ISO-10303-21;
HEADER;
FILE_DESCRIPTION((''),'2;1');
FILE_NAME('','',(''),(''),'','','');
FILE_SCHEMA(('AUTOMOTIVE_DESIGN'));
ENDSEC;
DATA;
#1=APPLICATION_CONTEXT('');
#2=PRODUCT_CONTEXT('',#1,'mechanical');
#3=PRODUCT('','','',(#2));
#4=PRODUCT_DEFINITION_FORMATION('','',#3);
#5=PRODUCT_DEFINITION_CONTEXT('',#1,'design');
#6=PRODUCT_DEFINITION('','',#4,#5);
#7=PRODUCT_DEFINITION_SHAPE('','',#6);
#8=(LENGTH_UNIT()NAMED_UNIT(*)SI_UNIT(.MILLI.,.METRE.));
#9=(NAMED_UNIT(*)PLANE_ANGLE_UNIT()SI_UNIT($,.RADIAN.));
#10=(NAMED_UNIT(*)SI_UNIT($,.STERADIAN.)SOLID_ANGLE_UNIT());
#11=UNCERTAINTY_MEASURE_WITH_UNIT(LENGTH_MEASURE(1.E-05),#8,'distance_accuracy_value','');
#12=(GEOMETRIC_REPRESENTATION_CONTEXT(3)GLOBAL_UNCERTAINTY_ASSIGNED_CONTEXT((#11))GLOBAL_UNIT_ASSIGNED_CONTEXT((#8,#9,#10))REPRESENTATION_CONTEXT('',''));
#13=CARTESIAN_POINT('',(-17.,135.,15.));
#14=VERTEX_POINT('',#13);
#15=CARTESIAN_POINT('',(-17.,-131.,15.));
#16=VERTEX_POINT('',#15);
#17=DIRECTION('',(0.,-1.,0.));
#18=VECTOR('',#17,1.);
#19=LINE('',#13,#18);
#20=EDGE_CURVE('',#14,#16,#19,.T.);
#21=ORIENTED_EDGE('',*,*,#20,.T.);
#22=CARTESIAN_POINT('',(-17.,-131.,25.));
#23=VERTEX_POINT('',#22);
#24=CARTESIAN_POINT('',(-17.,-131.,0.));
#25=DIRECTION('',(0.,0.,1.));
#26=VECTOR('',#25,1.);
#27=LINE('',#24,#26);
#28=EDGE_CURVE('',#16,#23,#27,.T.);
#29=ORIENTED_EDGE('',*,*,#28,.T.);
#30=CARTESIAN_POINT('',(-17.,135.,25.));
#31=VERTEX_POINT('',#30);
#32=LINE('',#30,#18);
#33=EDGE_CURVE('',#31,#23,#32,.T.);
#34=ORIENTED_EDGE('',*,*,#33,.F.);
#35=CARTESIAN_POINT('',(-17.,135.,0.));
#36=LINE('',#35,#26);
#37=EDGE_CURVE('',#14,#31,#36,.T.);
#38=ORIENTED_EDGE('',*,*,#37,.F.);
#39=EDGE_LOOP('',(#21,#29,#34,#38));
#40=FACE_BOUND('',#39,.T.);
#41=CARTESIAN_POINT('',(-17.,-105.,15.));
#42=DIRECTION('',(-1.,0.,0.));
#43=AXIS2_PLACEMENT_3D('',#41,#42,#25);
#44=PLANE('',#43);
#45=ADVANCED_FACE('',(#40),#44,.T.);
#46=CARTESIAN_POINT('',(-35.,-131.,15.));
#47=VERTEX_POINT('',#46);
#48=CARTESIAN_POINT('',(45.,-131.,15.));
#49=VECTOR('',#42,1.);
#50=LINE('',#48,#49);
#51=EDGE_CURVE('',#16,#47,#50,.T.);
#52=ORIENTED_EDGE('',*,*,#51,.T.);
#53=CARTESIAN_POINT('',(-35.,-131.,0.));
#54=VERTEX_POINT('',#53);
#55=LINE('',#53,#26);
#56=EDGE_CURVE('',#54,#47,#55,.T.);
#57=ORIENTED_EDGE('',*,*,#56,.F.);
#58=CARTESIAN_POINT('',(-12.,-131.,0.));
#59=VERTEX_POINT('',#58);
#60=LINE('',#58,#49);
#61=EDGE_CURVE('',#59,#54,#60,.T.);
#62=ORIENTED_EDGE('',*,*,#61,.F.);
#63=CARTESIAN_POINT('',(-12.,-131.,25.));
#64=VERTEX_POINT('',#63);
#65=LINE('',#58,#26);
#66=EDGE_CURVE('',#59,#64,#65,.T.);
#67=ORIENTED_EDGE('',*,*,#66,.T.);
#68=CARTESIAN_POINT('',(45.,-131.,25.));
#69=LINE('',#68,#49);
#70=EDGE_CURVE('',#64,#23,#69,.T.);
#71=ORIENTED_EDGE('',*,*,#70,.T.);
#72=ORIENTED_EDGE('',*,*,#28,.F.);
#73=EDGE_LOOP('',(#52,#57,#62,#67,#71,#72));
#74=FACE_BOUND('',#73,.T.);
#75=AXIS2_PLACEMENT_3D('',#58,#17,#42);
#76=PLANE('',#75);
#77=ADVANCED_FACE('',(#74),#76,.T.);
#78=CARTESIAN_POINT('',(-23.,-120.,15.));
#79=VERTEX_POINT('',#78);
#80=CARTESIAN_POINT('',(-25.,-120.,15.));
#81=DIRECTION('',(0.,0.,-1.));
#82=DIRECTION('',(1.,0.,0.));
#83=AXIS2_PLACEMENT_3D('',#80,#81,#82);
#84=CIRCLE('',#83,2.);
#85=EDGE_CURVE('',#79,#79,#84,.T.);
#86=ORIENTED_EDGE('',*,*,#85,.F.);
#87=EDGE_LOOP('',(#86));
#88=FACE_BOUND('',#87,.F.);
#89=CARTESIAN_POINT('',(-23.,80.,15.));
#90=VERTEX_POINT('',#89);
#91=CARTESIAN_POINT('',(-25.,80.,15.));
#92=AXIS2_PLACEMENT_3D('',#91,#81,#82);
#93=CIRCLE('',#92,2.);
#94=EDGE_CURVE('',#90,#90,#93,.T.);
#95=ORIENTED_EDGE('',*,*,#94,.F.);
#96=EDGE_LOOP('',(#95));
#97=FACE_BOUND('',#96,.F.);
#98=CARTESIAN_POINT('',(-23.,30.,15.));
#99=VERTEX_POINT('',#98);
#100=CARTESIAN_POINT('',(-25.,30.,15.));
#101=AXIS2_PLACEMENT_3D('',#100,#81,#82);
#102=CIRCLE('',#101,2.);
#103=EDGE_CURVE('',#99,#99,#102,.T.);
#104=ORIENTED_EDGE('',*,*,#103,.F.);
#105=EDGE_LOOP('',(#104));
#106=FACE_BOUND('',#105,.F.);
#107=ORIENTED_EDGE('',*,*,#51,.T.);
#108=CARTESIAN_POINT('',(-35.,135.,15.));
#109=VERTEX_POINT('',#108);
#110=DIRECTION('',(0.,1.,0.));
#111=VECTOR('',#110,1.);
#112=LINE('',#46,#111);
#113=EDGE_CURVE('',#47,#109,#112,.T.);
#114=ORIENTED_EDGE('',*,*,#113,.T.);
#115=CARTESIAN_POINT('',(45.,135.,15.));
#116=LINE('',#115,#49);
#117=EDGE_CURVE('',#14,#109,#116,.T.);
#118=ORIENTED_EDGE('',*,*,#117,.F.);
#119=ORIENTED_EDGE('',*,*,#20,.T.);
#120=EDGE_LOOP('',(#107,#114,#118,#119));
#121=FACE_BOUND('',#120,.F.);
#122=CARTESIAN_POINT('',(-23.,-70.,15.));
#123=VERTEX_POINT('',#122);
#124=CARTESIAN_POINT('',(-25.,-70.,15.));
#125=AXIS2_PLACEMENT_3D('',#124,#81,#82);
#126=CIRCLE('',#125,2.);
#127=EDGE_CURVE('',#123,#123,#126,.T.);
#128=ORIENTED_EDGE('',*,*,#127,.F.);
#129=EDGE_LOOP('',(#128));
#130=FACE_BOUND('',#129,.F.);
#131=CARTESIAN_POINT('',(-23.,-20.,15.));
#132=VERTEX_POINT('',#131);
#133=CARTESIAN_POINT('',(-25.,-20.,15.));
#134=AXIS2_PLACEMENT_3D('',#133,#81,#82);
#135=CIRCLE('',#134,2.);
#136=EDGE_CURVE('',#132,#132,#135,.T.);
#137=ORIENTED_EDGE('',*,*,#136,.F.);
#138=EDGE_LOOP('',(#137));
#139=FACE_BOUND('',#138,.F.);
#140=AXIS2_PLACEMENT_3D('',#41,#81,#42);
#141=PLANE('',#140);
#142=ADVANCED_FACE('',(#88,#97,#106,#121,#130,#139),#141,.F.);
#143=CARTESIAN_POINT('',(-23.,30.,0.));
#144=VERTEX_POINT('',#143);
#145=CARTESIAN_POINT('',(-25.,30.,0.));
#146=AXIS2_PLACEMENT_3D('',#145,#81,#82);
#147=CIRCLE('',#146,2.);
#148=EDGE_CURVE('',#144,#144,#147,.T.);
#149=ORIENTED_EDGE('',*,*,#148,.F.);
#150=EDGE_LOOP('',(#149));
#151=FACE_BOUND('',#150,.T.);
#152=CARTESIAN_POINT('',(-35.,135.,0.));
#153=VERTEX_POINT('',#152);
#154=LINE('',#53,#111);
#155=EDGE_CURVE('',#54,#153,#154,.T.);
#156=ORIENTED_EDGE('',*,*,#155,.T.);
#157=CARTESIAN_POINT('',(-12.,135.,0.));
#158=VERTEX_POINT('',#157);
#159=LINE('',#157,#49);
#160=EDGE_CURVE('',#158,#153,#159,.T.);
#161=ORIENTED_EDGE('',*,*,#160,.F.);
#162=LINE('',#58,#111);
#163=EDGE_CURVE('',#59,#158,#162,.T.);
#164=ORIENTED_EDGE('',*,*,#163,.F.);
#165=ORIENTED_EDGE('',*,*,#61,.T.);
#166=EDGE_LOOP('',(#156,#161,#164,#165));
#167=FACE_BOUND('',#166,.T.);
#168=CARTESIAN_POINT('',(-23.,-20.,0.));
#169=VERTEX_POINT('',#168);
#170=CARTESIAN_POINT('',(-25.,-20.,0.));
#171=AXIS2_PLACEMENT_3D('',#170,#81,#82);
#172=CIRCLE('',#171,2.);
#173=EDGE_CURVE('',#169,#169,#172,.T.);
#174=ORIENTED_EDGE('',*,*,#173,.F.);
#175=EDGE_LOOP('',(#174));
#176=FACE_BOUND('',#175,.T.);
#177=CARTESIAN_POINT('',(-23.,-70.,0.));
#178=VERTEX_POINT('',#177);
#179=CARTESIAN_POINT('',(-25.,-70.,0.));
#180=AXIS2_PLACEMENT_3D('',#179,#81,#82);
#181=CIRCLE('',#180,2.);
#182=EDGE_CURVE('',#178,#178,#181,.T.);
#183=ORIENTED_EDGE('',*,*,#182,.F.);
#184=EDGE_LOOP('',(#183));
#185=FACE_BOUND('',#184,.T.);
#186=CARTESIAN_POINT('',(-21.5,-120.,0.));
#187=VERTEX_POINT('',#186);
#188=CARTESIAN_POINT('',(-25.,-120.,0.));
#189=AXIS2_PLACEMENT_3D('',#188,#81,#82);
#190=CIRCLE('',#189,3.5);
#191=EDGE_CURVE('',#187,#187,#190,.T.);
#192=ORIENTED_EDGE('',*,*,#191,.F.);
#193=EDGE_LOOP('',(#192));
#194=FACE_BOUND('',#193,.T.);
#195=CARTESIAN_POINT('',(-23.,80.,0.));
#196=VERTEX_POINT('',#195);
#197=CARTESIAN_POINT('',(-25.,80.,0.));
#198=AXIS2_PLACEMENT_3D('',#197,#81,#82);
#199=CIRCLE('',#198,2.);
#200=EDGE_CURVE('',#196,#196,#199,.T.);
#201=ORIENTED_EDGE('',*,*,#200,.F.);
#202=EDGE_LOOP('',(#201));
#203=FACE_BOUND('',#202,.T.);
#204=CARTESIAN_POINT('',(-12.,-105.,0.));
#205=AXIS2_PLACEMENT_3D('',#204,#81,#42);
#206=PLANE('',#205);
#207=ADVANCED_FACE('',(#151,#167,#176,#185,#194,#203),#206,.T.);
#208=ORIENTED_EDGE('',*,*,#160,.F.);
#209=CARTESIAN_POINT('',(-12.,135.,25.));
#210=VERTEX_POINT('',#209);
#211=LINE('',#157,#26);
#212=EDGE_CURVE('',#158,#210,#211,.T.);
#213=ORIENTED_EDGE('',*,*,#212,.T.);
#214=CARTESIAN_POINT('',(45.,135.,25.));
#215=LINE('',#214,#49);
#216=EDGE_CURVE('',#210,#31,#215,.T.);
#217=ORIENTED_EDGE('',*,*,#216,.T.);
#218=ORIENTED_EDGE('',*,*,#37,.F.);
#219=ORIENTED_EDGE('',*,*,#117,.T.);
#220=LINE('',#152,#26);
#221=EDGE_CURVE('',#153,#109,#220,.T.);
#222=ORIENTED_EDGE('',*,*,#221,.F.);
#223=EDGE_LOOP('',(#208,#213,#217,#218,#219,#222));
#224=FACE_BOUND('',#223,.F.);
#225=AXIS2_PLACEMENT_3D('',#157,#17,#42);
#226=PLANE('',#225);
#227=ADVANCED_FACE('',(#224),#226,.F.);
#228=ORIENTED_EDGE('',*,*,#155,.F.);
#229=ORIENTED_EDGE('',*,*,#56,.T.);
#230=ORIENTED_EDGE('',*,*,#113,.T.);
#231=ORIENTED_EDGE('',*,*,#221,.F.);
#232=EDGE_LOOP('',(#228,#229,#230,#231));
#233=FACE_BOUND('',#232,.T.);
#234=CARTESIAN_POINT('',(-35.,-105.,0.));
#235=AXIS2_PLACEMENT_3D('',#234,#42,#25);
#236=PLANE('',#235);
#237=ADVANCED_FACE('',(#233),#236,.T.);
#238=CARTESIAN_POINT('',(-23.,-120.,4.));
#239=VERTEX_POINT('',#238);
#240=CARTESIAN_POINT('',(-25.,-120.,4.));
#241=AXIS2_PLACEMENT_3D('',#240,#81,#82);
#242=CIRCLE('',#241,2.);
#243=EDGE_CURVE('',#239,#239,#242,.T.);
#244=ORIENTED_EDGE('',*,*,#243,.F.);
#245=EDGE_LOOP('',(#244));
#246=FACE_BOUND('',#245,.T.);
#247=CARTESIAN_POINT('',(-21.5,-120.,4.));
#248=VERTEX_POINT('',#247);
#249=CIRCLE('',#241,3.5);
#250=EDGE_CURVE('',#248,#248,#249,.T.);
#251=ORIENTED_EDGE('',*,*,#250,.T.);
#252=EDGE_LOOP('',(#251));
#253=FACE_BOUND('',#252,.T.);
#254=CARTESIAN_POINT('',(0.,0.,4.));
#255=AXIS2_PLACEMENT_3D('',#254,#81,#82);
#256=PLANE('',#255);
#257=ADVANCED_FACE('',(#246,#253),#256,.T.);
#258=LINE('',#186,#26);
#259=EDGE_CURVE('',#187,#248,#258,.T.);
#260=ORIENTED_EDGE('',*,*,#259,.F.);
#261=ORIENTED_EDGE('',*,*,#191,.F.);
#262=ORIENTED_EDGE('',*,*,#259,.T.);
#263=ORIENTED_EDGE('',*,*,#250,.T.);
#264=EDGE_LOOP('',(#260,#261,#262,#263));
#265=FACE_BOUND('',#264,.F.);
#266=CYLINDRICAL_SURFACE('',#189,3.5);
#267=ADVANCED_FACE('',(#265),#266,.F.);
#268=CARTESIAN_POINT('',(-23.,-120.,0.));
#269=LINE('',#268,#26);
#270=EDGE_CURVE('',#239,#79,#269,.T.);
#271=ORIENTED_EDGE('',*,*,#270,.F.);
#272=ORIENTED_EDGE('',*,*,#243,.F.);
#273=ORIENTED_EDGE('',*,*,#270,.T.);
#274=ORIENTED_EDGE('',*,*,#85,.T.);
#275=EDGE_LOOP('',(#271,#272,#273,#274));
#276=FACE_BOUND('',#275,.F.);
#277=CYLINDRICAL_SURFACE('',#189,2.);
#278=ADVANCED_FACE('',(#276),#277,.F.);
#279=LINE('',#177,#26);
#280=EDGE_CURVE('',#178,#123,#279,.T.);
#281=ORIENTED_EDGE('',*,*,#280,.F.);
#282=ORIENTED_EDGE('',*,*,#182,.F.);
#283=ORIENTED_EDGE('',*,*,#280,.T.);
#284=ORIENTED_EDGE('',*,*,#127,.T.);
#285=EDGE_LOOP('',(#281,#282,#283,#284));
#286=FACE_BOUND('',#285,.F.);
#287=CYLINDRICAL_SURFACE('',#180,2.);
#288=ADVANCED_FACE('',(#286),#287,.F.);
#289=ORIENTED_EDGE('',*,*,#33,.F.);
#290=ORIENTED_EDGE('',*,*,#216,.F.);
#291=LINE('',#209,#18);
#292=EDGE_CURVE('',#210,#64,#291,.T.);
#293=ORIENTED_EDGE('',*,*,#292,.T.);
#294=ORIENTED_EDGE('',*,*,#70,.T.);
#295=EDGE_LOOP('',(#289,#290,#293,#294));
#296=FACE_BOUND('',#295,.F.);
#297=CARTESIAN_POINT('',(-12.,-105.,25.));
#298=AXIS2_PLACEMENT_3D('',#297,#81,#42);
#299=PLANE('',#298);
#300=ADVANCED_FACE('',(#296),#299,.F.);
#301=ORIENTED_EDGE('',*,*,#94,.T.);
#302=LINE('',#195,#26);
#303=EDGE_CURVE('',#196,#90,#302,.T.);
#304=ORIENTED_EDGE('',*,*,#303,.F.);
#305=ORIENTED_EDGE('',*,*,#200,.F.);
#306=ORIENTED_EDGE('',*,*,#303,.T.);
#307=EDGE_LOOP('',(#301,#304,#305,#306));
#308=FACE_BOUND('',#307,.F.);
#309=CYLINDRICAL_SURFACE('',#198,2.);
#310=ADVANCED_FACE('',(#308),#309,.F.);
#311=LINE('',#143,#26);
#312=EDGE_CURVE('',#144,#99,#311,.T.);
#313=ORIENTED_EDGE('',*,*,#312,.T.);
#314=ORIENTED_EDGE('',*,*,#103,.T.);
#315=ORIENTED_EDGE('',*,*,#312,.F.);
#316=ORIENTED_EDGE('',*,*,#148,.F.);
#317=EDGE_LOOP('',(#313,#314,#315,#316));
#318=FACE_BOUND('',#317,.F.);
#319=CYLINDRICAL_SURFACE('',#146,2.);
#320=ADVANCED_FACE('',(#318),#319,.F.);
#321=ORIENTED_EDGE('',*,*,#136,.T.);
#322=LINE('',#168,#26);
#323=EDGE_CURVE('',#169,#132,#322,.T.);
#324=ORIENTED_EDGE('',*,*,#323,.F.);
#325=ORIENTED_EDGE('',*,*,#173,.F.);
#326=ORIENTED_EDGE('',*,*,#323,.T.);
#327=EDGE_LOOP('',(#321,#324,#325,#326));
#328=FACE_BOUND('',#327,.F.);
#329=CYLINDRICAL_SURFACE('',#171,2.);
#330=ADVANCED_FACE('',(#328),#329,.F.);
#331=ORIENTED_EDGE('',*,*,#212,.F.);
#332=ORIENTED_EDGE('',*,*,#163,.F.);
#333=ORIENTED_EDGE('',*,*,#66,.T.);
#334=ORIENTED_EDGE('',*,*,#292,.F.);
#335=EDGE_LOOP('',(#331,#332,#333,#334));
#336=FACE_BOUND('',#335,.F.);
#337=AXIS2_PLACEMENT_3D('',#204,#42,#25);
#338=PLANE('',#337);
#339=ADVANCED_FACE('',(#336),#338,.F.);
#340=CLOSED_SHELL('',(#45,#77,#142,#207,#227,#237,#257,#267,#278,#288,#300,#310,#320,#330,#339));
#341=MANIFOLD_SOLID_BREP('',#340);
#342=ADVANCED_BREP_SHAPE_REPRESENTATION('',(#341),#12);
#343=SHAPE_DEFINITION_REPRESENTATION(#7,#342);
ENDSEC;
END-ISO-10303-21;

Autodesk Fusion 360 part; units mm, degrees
sketch "Szkic1" plane through (0, 0, 0) normal (0, 0, 1) x (1, 0, 0)
  line L0 (45, 135) -> (-35, 135)
  line L1 (-35, 135) -> (-35, -130)
  line L2 (-35, -130) -> (45, -130)
  circle A0 centre (25, -120) radius 1.75
  circle A1 centre (-25, -120) radius 1.75
  circle A2 centre (-25, -70) radius 1.75
  circle A3 centre (-25, -20) radius 1.75
  circle A4 centre (-25, 30) radius 1.75
  circle A5 centre (-25, 80) radius 1.75
  circle A6 centre (-15, 125) radius 3.5
  circle A7 centre (20, 125) radius 3.5
  circle A8 centre (20, 105) radius 3.5
  circle A9 centre (-15, 105) radius 3.5
  line L3 (45, -130) -> (45, -105)
  line L4 (45, -105) -> (-35, -105)
  line L5 (-35, -105) -> (-35, -130)
  line L6 (-35, -130) -> (45, -130)
  line L7 (-35, -130) -> (-17, -130)
  line L8 (-17, -130) -> (-17, 135)
  line L9 (-17, 135) -> (-35, 135)
  line L10 (-35, 135) -> (-35, -130)
  line L11 (-17, 135) -> (-17, -130)
  line L12 (-17, -130) -> (-12, -130)
  line L13 (-12, -130) -> (-12, 135)
  line L14 (-12, 135) -> (-17, 135)
  dimension "d1" = 5
extrude "Wyciągnięcie proste1" add sketch "Szkic1" along normal blind 25 contours L0 A6 L8 L11 L13 L14 | A6 L8 L11 L13 | A6 A9 L8 L11 L13 | A9 L8 L11 L13 | A9 L4 L8 L11 L13
extrude "Wyciągnięcie proste2" add sketch "Szkic1" along normal blind 15 contours L0 L1 A6 A9 L4 L8 L9 L10 L11 | A6 L8 L11 | A9 L8 L11
extrude "Wyciągnięcie proste3" add 1 faces at (-21.3333, -105, 5) along direction (0, -1, 0) blind 26
extrude "Wyciągnięcie proste4" cut sketch "Szkic1" along normal blind 37 contours A1
sketch "Szkic2" plane through (0, 0, 0) normal (0, 0, -1) x (1, 0, 0)
  circle A0 centre (-25, 120) radius 1.75
  circle A1 centre (-25, -30) radius 1.75
  circle A2 centre (-25, -80) radius 1.75
  circle A3 centre (-25, 20) radius 1.75
  circle A4 centre (-25, 70) radius 1.75
  line L0 (-12, -135) -> (-12, 131)
  line L1 (-12, 131) -> (-35, 131)
  line L2 (-35, 131) -> (-35, -135)
  line L3 (-35, -135) -> (-12, -135)
  circle A5 centre (-25, 120) radius 2
  circle A6 centre (-25, 120) radius 3.5
  circle A7 centre (-25, 70) radius 2
  circle A8 centre (-25, 20) radius 2
  circle A9 centre (-25, -30) radius 2
  circle A10 centre (-25, -80) radius 2
  dimension "d10" = 4
  dimension "d11" = 7
  dimension "d12" = 4
  dimension "d13" = 4
  dimension "d14" = 4
  dimension "d15" = 4
extrude "Wyciągnięcie proste5" cut sketch "Szkic2" against normal blind 100 contours A5 | A7 | A8 | A9 | A10
extrude "Wyciągnięcie proste6" cut sketch "Szkic2" against normal blind 4 contours A6
